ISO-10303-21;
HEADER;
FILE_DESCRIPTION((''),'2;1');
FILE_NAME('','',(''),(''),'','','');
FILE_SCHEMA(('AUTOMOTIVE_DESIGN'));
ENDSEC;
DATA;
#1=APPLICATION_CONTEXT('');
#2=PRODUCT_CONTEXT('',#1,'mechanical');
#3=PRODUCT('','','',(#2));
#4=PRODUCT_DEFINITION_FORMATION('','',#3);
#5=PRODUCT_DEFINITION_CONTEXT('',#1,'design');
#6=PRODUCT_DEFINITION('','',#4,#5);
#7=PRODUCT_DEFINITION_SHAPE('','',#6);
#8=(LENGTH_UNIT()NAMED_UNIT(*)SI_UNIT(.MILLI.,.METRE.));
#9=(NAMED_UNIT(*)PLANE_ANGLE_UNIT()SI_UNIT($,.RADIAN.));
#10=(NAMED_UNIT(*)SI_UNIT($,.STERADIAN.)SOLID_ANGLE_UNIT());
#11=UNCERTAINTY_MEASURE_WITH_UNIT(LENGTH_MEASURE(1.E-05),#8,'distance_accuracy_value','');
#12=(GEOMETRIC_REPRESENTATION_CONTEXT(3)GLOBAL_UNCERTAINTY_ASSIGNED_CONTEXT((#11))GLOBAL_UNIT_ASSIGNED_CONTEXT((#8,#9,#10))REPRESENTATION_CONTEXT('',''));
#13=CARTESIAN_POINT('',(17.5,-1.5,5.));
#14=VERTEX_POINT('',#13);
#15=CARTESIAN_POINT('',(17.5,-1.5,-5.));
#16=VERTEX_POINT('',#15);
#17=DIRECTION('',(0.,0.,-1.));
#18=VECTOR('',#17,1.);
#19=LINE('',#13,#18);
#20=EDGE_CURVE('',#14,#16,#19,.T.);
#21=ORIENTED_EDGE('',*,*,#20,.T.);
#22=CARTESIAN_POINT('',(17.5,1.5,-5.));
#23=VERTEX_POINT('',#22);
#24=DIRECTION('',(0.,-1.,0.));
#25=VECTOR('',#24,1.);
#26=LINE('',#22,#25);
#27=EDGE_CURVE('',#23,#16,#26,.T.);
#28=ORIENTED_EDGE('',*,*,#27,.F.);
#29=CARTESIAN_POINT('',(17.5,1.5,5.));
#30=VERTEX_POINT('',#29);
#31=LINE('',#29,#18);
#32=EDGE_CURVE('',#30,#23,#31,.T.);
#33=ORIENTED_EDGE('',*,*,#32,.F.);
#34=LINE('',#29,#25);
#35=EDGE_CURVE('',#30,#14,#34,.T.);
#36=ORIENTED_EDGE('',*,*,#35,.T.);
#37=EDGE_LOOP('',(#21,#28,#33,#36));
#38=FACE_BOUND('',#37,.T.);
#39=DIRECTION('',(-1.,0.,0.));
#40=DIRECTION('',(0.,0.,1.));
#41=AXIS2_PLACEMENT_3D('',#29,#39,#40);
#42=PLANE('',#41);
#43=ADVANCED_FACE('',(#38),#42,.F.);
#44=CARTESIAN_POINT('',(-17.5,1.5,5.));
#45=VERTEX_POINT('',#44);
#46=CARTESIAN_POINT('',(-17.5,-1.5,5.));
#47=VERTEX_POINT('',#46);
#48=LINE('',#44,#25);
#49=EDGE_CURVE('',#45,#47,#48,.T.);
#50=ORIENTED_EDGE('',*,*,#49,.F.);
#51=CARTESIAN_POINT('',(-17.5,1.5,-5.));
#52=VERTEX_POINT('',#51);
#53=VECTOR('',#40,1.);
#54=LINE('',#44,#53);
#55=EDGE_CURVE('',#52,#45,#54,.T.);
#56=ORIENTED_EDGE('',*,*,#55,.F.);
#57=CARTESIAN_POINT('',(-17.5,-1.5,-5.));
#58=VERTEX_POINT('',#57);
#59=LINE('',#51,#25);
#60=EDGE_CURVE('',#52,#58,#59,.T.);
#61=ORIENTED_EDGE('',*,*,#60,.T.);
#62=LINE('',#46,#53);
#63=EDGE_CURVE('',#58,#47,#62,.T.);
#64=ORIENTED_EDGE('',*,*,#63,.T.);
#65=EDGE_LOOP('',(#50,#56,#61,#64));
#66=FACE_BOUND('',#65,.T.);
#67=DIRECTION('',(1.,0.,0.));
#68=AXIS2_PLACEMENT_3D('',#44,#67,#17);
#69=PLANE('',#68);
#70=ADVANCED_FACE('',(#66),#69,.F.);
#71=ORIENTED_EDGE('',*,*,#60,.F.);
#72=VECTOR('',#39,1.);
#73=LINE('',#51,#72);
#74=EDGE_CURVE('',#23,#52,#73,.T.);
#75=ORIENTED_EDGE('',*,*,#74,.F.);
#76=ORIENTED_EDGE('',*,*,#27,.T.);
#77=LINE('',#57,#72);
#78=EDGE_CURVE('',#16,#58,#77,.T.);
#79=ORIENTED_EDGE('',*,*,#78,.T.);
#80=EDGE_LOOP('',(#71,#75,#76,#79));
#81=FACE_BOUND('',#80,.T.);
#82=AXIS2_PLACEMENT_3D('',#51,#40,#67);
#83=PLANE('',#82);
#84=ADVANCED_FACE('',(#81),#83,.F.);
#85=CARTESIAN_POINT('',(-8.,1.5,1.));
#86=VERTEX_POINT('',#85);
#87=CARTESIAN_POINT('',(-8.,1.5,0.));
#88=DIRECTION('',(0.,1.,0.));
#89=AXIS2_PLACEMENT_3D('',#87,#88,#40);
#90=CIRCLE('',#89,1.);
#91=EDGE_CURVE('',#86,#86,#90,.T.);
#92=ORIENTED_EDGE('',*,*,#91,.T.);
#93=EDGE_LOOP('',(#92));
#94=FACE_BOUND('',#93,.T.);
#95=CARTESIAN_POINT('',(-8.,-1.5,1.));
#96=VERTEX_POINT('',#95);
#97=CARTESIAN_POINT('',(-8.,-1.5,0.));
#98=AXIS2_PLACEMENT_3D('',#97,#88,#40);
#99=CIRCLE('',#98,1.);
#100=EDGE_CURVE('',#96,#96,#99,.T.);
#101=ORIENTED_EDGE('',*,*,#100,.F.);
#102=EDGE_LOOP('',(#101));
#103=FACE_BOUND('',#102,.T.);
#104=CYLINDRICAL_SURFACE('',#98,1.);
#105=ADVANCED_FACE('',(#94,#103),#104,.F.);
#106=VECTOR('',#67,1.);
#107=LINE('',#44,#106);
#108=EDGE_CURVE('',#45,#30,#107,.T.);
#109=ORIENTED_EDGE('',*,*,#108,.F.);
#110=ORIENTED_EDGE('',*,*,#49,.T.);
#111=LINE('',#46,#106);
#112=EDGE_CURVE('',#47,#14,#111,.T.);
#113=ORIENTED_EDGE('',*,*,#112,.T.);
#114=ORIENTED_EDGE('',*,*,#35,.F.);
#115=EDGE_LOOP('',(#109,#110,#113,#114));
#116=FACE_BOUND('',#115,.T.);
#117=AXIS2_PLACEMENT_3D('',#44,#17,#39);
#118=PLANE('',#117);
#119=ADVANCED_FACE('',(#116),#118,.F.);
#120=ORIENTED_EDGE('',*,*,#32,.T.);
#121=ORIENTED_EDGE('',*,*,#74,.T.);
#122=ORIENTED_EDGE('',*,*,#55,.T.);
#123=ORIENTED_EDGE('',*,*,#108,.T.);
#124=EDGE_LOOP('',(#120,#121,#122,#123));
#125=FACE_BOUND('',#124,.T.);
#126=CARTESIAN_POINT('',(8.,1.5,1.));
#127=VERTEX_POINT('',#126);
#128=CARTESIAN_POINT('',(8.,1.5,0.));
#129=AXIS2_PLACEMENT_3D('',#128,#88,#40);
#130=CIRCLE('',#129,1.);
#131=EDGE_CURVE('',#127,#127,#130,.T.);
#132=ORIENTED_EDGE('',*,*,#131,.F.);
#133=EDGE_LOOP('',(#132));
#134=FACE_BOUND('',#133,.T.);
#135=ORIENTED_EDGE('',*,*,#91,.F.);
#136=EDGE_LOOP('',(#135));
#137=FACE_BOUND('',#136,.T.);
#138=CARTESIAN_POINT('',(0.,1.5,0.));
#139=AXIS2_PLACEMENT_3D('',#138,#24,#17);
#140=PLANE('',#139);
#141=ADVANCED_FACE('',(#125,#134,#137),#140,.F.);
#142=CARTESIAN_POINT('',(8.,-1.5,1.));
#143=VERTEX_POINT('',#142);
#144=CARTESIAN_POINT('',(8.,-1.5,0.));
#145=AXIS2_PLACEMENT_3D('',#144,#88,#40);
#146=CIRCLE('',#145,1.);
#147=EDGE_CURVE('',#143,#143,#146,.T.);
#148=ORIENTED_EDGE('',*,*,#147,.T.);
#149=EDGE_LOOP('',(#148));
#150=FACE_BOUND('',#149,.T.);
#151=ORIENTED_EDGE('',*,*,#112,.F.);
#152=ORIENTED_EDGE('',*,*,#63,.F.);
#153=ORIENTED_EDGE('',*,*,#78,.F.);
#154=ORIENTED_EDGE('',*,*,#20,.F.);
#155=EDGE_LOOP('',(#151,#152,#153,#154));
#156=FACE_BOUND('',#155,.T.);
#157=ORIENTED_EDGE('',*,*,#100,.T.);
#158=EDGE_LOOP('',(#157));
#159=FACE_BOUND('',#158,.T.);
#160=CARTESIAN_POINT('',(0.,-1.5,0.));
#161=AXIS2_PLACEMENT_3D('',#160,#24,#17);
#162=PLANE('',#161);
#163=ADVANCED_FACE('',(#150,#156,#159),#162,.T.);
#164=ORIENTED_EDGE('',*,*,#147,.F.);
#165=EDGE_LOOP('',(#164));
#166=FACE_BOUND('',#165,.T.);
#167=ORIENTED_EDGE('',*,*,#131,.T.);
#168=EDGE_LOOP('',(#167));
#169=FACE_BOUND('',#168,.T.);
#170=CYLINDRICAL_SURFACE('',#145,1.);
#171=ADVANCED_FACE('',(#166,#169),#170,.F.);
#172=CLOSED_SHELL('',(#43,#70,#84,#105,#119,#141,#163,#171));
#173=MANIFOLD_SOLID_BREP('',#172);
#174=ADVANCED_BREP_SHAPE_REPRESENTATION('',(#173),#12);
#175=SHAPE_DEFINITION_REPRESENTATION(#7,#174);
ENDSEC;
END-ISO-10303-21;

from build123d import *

# Parameters (mm, degrees)
SKETCH1_W           = 35
SKETCH1_H           = 10
BOSS_EXTRUDE1_DEPTH = 1.5
SKETCH2_R           = 1
CUT_EXTRUDE1_DEPTH  = 19.445866746


with BuildPart() as part:
    # Sketch1 → Boss-Extrude1 (new, symmetric)
    with BuildSketch(Plane(origin=(0, 0, 0), x_dir=(1, 0, 0), z_dir=(0, 1, 0))):
        Rectangle(SKETCH1_W, SKETCH1_H)
    extrude(amount=BOSS_EXTRUDE1_DEPTH, both=True)

    # Sketch2 → Cut-Extrude1 (cut, through all)
    with BuildSketch(Plane(origin=(0, 1.5, 0), x_dir=(1, 0, 0), z_dir=(0, 1, 0))):
        with Locations(Location((-8, 0, 0), (0, 0, 270))):
            Circle(SKETCH2_R)
        with Locations(Location((8, 0, 0), (0, 0, 270))):
            Circle(SKETCH2_R)
    extrude(amount=-CUT_EXTRUDE1_DEPTH, mode=Mode.SUBTRACT)


solid = part.part
